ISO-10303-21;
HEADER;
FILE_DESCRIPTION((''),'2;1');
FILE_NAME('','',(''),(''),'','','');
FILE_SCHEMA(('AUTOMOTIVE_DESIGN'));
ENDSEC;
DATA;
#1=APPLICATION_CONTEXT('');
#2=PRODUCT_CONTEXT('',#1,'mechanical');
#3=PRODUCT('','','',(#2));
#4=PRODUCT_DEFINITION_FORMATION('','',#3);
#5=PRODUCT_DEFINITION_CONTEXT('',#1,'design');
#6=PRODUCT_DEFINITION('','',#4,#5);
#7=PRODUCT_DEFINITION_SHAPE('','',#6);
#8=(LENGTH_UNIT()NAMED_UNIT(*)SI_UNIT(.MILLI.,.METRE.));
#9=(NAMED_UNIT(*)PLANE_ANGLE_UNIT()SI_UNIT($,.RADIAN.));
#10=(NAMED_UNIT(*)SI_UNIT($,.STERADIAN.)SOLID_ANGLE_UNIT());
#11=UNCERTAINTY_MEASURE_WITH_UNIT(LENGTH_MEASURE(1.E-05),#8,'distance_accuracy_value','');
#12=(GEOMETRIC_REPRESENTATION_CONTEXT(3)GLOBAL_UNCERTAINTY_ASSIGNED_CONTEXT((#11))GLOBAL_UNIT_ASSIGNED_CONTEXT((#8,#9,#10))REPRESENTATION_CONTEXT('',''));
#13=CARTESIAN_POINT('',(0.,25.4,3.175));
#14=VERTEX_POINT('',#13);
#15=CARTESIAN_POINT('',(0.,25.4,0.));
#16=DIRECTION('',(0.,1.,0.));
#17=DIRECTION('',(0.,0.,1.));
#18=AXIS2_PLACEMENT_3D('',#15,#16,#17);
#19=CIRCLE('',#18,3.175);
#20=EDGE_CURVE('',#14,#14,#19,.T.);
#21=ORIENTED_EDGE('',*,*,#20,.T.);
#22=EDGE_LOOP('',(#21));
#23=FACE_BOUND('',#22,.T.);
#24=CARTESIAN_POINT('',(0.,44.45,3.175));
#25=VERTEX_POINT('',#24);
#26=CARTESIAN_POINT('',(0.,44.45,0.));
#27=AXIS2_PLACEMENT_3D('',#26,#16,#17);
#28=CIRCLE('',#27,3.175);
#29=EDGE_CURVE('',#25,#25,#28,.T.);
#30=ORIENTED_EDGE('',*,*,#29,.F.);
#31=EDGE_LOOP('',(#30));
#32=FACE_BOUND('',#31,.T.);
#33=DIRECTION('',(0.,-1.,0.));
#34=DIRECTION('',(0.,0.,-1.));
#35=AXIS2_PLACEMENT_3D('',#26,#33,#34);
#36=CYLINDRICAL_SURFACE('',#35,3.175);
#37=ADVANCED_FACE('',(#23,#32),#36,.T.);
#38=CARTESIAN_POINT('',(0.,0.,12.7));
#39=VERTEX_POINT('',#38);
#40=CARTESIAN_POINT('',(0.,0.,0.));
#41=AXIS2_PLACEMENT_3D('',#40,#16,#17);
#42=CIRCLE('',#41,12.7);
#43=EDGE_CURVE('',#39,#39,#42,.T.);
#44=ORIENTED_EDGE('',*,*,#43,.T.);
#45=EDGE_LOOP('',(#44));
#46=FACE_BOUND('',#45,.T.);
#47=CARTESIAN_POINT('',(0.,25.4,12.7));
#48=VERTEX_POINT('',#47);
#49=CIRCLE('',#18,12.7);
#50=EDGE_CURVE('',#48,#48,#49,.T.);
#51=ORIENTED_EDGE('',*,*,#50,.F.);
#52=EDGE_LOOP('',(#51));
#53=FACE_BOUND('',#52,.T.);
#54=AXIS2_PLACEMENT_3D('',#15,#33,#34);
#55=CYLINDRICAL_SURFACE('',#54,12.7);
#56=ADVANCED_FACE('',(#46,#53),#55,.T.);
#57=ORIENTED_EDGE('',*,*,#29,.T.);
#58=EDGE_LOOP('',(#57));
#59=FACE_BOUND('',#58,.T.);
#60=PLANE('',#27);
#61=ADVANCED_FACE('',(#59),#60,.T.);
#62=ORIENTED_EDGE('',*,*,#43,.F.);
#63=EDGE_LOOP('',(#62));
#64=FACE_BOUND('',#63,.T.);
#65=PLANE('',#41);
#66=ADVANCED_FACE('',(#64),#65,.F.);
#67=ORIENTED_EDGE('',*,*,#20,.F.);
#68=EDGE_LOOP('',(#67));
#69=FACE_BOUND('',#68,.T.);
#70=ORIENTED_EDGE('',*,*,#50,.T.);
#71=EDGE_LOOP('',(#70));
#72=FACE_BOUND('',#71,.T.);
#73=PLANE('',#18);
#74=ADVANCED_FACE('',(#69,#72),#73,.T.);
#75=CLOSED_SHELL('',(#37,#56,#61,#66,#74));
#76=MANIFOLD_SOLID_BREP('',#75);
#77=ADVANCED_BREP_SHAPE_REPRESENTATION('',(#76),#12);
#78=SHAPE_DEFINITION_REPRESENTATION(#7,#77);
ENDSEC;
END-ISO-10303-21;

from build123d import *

# Parameters (mm, degrees)
SKETCH1_R           = 12.7
BOSS_EXTRUDE1_DEPTH = 25.4
SKETCH2_R           = 3.175
BOSS_EXTRUDE2_DEPTH = 19.05


with BuildPart() as part:
    # Sketch1 → Boss-Extrude1 (new body)
    with BuildSketch(Plane(origin=(0, 0, 0), x_dir=(1, 0, 0), z_dir=(0, 1, 0))):
        Circle(SKETCH1_R)
    extrude(amount=BOSS_EXTRUDE1_DEPTH)

    # Sketch2 → Boss-Extrude2 (add)
    with BuildSketch(Plane(origin=(0, 25.4, 0), x_dir=(1, 0, 0), z_dir=(0, 1, 0))):
        Circle(SKETCH2_R)
    extrude(amount=BOSS_EXTRUDE2_DEPTH)


solid = part.part
